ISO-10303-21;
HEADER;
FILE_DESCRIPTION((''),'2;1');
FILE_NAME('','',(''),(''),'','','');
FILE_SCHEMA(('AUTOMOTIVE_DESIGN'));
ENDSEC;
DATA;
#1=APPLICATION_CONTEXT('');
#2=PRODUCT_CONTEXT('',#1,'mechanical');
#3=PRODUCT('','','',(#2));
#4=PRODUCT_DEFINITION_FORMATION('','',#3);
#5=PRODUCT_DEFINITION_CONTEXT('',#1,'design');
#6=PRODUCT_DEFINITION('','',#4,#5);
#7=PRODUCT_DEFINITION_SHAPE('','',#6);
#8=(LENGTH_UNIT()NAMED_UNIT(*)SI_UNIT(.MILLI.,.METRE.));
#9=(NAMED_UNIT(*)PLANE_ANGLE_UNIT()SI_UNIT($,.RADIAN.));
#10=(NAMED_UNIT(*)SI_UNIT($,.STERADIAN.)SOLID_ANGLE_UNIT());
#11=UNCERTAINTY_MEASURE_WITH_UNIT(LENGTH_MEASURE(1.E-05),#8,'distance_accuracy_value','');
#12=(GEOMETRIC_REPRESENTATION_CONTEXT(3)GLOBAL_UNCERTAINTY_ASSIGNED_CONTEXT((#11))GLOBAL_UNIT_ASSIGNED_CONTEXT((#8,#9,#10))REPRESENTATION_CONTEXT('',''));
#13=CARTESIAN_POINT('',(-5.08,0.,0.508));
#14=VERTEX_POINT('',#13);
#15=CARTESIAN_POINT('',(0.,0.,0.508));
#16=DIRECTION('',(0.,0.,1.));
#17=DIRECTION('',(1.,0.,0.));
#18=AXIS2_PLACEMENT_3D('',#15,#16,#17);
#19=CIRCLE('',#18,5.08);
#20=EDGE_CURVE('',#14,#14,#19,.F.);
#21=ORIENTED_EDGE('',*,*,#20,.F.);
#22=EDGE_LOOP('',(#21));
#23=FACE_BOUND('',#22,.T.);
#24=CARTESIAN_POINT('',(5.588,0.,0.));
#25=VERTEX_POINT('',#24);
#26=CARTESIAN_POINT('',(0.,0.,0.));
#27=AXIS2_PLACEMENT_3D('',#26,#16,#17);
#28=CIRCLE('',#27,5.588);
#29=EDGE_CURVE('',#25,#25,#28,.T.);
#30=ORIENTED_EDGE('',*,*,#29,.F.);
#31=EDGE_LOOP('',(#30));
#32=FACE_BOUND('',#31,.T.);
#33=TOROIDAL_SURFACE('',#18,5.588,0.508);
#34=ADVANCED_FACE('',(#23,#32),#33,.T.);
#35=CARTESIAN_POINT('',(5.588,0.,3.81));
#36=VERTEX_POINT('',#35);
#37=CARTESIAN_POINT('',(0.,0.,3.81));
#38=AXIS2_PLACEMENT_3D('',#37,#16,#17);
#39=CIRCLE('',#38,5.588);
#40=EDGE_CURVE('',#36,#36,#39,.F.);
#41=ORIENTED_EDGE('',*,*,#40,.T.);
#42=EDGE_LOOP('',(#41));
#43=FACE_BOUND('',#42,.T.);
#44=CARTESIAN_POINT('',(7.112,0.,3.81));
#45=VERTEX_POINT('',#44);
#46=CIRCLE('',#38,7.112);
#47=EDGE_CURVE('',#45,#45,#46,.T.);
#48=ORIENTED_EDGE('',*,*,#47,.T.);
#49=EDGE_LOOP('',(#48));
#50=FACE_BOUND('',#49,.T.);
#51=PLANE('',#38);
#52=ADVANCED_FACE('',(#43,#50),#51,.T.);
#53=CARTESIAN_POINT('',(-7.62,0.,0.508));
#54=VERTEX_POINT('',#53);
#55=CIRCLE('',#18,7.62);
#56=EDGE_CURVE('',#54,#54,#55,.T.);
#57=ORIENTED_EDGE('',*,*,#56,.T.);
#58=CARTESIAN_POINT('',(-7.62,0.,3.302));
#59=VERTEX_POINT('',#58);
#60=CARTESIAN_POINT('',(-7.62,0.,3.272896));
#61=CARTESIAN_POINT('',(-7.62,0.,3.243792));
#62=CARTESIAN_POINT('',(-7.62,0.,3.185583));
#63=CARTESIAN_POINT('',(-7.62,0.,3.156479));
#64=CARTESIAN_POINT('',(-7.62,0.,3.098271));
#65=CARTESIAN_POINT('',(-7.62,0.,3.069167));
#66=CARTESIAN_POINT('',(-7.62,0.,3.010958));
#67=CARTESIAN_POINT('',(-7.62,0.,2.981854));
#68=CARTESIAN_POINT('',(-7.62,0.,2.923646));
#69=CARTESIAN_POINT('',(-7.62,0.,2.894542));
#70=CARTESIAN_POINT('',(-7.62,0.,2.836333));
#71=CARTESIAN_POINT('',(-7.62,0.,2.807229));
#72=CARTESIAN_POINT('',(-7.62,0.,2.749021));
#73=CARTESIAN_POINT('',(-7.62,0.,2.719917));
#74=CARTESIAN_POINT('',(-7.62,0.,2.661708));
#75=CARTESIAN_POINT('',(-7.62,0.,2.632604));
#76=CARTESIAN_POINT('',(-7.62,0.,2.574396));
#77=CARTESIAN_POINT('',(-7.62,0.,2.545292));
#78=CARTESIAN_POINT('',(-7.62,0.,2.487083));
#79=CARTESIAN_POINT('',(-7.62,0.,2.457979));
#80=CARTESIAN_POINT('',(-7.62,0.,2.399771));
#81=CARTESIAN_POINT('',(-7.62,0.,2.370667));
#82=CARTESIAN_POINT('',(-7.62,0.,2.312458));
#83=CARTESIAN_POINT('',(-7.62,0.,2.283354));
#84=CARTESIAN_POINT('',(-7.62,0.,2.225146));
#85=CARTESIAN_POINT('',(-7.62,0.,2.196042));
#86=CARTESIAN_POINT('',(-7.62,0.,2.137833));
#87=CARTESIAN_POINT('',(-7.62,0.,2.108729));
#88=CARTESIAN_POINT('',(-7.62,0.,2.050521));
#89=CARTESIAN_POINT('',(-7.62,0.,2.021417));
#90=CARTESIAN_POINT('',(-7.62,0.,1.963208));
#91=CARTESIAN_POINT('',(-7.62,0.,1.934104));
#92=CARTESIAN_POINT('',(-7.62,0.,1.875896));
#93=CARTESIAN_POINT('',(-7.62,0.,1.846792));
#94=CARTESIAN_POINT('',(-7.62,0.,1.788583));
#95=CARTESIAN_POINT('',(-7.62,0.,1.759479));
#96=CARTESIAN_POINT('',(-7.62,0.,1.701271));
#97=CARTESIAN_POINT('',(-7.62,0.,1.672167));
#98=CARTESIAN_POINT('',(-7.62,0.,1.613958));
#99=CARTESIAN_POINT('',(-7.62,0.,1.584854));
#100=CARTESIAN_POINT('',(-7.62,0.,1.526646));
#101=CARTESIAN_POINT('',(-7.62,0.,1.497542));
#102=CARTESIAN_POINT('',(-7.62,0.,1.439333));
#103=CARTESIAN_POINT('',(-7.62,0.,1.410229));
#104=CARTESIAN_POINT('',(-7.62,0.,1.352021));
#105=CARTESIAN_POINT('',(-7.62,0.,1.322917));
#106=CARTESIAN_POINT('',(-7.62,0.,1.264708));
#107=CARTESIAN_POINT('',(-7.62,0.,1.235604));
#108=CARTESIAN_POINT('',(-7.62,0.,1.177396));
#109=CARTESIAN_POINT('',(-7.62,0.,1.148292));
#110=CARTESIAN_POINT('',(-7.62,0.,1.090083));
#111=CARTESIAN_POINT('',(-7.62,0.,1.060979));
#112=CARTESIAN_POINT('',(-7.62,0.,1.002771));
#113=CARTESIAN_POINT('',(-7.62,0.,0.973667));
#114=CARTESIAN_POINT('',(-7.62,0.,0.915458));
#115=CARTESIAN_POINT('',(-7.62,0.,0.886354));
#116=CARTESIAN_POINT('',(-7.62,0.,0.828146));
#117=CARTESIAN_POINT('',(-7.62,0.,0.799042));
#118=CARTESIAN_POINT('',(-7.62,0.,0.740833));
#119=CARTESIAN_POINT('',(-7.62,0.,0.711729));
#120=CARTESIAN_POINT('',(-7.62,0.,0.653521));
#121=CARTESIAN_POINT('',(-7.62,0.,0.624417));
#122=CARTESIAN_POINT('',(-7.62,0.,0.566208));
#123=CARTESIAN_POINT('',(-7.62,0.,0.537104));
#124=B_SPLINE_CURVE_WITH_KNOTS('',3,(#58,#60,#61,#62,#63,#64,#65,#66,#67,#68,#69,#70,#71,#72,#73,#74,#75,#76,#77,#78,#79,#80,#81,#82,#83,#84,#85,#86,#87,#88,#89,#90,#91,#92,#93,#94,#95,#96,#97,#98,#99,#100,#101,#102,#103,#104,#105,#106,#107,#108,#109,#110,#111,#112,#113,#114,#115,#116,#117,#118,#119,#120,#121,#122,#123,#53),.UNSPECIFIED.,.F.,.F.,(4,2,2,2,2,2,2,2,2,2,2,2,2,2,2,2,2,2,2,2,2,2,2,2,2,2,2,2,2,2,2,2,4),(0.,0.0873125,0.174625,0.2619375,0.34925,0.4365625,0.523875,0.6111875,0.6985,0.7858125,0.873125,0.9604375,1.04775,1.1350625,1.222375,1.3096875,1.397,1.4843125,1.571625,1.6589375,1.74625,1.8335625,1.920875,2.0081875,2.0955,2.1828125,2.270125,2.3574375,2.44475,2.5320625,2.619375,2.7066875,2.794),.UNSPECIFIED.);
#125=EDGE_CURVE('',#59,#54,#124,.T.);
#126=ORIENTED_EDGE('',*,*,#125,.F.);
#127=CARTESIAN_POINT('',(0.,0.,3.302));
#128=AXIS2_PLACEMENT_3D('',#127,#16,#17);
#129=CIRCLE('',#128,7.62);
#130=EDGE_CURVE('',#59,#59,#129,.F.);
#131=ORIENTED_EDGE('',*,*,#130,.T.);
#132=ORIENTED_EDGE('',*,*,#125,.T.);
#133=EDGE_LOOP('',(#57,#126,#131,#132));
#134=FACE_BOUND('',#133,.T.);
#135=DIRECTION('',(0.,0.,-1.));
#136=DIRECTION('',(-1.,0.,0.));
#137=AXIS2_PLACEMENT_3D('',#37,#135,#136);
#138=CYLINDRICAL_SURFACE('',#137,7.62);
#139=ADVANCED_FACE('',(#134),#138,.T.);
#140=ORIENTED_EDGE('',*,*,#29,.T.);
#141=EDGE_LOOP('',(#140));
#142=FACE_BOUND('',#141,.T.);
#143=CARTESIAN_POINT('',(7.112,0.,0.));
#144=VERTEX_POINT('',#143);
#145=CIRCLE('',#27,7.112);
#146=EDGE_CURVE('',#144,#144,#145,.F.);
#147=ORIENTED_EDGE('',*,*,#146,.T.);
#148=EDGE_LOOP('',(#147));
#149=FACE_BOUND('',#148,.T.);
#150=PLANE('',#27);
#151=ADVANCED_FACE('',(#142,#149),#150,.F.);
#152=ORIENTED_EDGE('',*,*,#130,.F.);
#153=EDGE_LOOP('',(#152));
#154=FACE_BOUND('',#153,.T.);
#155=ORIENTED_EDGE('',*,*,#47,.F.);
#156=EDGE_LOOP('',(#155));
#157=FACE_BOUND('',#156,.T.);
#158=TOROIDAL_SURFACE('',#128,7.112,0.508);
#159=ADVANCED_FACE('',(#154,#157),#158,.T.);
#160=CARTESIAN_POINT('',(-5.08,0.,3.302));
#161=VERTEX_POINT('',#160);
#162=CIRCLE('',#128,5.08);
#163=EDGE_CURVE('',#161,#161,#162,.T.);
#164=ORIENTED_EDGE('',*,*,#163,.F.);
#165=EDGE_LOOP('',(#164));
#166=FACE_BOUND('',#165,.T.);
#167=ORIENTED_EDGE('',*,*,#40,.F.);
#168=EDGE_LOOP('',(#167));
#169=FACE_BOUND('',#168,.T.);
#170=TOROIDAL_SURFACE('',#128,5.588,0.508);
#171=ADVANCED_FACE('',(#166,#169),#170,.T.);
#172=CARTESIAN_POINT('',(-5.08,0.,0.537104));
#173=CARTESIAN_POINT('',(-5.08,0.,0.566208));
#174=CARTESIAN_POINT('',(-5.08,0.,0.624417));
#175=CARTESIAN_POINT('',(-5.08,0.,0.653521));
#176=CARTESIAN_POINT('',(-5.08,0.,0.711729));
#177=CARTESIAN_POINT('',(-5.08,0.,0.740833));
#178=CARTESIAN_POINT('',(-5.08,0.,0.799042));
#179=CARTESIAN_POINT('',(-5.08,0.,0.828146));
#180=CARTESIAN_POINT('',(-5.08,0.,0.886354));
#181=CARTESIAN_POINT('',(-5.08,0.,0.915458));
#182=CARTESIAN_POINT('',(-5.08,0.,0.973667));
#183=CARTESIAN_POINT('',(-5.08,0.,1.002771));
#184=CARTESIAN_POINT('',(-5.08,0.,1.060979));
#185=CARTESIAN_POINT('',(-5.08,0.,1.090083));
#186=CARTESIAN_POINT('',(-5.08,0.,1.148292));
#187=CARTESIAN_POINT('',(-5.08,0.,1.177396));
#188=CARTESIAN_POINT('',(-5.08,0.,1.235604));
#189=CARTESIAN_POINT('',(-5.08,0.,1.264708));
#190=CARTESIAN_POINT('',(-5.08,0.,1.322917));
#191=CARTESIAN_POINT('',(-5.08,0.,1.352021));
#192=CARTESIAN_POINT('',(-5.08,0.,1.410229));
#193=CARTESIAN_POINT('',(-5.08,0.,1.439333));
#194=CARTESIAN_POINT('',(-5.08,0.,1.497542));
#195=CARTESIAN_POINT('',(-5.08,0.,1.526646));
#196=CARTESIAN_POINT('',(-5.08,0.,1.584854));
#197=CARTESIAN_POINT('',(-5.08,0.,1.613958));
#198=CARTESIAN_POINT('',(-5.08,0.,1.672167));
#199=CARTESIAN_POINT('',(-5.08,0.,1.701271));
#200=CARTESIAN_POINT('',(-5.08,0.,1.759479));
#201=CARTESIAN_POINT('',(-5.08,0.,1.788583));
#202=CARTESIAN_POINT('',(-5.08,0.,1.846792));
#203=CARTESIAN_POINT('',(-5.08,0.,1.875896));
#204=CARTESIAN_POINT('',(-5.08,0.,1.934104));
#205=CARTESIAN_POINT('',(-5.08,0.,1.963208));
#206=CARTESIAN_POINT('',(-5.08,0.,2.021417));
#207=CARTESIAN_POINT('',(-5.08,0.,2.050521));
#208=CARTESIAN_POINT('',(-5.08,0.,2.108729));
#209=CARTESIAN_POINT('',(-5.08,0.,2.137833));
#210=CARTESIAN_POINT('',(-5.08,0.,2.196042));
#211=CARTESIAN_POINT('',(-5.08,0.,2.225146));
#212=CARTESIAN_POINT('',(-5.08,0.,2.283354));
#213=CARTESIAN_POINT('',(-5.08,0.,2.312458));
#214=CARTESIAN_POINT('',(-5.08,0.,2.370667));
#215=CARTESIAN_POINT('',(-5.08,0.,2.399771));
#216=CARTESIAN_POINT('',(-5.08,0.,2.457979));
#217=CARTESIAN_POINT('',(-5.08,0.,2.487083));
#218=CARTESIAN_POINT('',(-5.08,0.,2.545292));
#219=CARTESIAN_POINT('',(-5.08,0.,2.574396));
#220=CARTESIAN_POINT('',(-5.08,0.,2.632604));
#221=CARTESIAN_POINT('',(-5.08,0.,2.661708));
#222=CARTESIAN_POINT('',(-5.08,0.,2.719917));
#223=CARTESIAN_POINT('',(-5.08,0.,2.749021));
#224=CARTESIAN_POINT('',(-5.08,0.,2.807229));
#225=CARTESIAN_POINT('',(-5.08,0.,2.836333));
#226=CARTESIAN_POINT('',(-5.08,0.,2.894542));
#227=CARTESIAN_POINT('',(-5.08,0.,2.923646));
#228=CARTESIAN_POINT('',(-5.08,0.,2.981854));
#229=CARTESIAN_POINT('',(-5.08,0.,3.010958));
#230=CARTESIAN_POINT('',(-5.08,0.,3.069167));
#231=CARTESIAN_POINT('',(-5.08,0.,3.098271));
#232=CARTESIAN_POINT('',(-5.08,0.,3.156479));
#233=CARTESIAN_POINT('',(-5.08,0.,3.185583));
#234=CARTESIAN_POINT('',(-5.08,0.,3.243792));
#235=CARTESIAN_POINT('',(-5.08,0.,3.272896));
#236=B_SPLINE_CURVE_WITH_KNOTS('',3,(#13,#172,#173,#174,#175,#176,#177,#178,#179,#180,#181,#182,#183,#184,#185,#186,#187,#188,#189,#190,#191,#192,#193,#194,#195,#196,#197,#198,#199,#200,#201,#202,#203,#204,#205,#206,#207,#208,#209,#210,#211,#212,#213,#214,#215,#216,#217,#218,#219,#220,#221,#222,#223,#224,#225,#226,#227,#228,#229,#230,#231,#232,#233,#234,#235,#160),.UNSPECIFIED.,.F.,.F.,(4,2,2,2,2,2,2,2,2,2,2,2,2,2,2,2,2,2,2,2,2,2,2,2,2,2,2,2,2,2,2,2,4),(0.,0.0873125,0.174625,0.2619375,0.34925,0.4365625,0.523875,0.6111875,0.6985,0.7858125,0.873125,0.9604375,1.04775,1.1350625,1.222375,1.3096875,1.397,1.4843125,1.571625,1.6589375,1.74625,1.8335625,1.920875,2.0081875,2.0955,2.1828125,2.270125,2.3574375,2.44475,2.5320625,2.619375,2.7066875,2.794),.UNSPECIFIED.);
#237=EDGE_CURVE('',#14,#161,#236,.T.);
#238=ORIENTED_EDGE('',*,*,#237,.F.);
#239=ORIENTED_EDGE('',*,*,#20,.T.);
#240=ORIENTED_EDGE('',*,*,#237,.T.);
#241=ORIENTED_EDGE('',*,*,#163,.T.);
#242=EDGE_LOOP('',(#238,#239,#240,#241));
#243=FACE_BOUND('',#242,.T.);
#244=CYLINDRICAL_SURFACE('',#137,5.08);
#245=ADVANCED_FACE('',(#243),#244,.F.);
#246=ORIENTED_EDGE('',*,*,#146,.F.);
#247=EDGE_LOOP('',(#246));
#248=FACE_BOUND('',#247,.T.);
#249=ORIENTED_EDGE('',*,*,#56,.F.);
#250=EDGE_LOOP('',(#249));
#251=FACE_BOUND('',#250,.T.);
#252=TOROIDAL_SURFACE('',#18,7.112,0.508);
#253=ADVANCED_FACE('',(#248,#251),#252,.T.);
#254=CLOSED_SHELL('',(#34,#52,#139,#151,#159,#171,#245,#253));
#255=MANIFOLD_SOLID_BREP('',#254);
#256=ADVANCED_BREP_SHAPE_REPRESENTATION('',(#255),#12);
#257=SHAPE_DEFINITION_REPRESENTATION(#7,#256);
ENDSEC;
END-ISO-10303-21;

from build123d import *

# Parameters (mm, degrees)
SKETCH2_R           = 7.62
SKETCH2_R_2         = 5.08
BOSS_EXTRUDE1_DEPTH = 3.81
FILLET1_R           = 0.508
FILLET2_R           = 0.508
FILLET3_R           = 0.508
FILLET4_R           = 0.508


with BuildPart() as part:
    # Sketch2 → Boss-Extrude1 (new body)
    with BuildSketch(Plane.XY):
        with Locations(Location((0, 0, 0), (0, 0, 180))):
            Circle(SKETCH2_R)
        with Locations(Location((0, 0, 0), (0, 0, 180))):
            Circle(SKETCH2_R_2, mode=Mode.SUBTRACT)
    extrude(amount=BOSS_EXTRUDE1_DEPTH)

    # Fillet1
    fillet1_edges = [part.edges().sort_by_distance(p)[0] for p in [
        (5.08, 0, 3.81),
    ]]
    fillet(fillet1_edges, radius=FILLET1_R)

    # Fillet2
    fillet2_edges = [part.edges().sort_by_distance(p)[0] for p in [
        (5.08, 0, 0),
    ]]
    fillet(fillet2_edges, radius=FILLET2_R)

    # Fillet3
    fillet3_edges = [part.edges().sort_by_distance(p)[0] for p in [
        (7.62, 0, 0),
    ]]
    fillet(fillet3_edges, radius=FILLET3_R)

    # Fillet4
    fillet4_edges = [part.edges().sort_by_distance(p)[0] for p in [
        (7.62, 0, 3.81),
    ]]
    fillet(fillet4_edges, radius=FILLET4_R)


solid = part.part
